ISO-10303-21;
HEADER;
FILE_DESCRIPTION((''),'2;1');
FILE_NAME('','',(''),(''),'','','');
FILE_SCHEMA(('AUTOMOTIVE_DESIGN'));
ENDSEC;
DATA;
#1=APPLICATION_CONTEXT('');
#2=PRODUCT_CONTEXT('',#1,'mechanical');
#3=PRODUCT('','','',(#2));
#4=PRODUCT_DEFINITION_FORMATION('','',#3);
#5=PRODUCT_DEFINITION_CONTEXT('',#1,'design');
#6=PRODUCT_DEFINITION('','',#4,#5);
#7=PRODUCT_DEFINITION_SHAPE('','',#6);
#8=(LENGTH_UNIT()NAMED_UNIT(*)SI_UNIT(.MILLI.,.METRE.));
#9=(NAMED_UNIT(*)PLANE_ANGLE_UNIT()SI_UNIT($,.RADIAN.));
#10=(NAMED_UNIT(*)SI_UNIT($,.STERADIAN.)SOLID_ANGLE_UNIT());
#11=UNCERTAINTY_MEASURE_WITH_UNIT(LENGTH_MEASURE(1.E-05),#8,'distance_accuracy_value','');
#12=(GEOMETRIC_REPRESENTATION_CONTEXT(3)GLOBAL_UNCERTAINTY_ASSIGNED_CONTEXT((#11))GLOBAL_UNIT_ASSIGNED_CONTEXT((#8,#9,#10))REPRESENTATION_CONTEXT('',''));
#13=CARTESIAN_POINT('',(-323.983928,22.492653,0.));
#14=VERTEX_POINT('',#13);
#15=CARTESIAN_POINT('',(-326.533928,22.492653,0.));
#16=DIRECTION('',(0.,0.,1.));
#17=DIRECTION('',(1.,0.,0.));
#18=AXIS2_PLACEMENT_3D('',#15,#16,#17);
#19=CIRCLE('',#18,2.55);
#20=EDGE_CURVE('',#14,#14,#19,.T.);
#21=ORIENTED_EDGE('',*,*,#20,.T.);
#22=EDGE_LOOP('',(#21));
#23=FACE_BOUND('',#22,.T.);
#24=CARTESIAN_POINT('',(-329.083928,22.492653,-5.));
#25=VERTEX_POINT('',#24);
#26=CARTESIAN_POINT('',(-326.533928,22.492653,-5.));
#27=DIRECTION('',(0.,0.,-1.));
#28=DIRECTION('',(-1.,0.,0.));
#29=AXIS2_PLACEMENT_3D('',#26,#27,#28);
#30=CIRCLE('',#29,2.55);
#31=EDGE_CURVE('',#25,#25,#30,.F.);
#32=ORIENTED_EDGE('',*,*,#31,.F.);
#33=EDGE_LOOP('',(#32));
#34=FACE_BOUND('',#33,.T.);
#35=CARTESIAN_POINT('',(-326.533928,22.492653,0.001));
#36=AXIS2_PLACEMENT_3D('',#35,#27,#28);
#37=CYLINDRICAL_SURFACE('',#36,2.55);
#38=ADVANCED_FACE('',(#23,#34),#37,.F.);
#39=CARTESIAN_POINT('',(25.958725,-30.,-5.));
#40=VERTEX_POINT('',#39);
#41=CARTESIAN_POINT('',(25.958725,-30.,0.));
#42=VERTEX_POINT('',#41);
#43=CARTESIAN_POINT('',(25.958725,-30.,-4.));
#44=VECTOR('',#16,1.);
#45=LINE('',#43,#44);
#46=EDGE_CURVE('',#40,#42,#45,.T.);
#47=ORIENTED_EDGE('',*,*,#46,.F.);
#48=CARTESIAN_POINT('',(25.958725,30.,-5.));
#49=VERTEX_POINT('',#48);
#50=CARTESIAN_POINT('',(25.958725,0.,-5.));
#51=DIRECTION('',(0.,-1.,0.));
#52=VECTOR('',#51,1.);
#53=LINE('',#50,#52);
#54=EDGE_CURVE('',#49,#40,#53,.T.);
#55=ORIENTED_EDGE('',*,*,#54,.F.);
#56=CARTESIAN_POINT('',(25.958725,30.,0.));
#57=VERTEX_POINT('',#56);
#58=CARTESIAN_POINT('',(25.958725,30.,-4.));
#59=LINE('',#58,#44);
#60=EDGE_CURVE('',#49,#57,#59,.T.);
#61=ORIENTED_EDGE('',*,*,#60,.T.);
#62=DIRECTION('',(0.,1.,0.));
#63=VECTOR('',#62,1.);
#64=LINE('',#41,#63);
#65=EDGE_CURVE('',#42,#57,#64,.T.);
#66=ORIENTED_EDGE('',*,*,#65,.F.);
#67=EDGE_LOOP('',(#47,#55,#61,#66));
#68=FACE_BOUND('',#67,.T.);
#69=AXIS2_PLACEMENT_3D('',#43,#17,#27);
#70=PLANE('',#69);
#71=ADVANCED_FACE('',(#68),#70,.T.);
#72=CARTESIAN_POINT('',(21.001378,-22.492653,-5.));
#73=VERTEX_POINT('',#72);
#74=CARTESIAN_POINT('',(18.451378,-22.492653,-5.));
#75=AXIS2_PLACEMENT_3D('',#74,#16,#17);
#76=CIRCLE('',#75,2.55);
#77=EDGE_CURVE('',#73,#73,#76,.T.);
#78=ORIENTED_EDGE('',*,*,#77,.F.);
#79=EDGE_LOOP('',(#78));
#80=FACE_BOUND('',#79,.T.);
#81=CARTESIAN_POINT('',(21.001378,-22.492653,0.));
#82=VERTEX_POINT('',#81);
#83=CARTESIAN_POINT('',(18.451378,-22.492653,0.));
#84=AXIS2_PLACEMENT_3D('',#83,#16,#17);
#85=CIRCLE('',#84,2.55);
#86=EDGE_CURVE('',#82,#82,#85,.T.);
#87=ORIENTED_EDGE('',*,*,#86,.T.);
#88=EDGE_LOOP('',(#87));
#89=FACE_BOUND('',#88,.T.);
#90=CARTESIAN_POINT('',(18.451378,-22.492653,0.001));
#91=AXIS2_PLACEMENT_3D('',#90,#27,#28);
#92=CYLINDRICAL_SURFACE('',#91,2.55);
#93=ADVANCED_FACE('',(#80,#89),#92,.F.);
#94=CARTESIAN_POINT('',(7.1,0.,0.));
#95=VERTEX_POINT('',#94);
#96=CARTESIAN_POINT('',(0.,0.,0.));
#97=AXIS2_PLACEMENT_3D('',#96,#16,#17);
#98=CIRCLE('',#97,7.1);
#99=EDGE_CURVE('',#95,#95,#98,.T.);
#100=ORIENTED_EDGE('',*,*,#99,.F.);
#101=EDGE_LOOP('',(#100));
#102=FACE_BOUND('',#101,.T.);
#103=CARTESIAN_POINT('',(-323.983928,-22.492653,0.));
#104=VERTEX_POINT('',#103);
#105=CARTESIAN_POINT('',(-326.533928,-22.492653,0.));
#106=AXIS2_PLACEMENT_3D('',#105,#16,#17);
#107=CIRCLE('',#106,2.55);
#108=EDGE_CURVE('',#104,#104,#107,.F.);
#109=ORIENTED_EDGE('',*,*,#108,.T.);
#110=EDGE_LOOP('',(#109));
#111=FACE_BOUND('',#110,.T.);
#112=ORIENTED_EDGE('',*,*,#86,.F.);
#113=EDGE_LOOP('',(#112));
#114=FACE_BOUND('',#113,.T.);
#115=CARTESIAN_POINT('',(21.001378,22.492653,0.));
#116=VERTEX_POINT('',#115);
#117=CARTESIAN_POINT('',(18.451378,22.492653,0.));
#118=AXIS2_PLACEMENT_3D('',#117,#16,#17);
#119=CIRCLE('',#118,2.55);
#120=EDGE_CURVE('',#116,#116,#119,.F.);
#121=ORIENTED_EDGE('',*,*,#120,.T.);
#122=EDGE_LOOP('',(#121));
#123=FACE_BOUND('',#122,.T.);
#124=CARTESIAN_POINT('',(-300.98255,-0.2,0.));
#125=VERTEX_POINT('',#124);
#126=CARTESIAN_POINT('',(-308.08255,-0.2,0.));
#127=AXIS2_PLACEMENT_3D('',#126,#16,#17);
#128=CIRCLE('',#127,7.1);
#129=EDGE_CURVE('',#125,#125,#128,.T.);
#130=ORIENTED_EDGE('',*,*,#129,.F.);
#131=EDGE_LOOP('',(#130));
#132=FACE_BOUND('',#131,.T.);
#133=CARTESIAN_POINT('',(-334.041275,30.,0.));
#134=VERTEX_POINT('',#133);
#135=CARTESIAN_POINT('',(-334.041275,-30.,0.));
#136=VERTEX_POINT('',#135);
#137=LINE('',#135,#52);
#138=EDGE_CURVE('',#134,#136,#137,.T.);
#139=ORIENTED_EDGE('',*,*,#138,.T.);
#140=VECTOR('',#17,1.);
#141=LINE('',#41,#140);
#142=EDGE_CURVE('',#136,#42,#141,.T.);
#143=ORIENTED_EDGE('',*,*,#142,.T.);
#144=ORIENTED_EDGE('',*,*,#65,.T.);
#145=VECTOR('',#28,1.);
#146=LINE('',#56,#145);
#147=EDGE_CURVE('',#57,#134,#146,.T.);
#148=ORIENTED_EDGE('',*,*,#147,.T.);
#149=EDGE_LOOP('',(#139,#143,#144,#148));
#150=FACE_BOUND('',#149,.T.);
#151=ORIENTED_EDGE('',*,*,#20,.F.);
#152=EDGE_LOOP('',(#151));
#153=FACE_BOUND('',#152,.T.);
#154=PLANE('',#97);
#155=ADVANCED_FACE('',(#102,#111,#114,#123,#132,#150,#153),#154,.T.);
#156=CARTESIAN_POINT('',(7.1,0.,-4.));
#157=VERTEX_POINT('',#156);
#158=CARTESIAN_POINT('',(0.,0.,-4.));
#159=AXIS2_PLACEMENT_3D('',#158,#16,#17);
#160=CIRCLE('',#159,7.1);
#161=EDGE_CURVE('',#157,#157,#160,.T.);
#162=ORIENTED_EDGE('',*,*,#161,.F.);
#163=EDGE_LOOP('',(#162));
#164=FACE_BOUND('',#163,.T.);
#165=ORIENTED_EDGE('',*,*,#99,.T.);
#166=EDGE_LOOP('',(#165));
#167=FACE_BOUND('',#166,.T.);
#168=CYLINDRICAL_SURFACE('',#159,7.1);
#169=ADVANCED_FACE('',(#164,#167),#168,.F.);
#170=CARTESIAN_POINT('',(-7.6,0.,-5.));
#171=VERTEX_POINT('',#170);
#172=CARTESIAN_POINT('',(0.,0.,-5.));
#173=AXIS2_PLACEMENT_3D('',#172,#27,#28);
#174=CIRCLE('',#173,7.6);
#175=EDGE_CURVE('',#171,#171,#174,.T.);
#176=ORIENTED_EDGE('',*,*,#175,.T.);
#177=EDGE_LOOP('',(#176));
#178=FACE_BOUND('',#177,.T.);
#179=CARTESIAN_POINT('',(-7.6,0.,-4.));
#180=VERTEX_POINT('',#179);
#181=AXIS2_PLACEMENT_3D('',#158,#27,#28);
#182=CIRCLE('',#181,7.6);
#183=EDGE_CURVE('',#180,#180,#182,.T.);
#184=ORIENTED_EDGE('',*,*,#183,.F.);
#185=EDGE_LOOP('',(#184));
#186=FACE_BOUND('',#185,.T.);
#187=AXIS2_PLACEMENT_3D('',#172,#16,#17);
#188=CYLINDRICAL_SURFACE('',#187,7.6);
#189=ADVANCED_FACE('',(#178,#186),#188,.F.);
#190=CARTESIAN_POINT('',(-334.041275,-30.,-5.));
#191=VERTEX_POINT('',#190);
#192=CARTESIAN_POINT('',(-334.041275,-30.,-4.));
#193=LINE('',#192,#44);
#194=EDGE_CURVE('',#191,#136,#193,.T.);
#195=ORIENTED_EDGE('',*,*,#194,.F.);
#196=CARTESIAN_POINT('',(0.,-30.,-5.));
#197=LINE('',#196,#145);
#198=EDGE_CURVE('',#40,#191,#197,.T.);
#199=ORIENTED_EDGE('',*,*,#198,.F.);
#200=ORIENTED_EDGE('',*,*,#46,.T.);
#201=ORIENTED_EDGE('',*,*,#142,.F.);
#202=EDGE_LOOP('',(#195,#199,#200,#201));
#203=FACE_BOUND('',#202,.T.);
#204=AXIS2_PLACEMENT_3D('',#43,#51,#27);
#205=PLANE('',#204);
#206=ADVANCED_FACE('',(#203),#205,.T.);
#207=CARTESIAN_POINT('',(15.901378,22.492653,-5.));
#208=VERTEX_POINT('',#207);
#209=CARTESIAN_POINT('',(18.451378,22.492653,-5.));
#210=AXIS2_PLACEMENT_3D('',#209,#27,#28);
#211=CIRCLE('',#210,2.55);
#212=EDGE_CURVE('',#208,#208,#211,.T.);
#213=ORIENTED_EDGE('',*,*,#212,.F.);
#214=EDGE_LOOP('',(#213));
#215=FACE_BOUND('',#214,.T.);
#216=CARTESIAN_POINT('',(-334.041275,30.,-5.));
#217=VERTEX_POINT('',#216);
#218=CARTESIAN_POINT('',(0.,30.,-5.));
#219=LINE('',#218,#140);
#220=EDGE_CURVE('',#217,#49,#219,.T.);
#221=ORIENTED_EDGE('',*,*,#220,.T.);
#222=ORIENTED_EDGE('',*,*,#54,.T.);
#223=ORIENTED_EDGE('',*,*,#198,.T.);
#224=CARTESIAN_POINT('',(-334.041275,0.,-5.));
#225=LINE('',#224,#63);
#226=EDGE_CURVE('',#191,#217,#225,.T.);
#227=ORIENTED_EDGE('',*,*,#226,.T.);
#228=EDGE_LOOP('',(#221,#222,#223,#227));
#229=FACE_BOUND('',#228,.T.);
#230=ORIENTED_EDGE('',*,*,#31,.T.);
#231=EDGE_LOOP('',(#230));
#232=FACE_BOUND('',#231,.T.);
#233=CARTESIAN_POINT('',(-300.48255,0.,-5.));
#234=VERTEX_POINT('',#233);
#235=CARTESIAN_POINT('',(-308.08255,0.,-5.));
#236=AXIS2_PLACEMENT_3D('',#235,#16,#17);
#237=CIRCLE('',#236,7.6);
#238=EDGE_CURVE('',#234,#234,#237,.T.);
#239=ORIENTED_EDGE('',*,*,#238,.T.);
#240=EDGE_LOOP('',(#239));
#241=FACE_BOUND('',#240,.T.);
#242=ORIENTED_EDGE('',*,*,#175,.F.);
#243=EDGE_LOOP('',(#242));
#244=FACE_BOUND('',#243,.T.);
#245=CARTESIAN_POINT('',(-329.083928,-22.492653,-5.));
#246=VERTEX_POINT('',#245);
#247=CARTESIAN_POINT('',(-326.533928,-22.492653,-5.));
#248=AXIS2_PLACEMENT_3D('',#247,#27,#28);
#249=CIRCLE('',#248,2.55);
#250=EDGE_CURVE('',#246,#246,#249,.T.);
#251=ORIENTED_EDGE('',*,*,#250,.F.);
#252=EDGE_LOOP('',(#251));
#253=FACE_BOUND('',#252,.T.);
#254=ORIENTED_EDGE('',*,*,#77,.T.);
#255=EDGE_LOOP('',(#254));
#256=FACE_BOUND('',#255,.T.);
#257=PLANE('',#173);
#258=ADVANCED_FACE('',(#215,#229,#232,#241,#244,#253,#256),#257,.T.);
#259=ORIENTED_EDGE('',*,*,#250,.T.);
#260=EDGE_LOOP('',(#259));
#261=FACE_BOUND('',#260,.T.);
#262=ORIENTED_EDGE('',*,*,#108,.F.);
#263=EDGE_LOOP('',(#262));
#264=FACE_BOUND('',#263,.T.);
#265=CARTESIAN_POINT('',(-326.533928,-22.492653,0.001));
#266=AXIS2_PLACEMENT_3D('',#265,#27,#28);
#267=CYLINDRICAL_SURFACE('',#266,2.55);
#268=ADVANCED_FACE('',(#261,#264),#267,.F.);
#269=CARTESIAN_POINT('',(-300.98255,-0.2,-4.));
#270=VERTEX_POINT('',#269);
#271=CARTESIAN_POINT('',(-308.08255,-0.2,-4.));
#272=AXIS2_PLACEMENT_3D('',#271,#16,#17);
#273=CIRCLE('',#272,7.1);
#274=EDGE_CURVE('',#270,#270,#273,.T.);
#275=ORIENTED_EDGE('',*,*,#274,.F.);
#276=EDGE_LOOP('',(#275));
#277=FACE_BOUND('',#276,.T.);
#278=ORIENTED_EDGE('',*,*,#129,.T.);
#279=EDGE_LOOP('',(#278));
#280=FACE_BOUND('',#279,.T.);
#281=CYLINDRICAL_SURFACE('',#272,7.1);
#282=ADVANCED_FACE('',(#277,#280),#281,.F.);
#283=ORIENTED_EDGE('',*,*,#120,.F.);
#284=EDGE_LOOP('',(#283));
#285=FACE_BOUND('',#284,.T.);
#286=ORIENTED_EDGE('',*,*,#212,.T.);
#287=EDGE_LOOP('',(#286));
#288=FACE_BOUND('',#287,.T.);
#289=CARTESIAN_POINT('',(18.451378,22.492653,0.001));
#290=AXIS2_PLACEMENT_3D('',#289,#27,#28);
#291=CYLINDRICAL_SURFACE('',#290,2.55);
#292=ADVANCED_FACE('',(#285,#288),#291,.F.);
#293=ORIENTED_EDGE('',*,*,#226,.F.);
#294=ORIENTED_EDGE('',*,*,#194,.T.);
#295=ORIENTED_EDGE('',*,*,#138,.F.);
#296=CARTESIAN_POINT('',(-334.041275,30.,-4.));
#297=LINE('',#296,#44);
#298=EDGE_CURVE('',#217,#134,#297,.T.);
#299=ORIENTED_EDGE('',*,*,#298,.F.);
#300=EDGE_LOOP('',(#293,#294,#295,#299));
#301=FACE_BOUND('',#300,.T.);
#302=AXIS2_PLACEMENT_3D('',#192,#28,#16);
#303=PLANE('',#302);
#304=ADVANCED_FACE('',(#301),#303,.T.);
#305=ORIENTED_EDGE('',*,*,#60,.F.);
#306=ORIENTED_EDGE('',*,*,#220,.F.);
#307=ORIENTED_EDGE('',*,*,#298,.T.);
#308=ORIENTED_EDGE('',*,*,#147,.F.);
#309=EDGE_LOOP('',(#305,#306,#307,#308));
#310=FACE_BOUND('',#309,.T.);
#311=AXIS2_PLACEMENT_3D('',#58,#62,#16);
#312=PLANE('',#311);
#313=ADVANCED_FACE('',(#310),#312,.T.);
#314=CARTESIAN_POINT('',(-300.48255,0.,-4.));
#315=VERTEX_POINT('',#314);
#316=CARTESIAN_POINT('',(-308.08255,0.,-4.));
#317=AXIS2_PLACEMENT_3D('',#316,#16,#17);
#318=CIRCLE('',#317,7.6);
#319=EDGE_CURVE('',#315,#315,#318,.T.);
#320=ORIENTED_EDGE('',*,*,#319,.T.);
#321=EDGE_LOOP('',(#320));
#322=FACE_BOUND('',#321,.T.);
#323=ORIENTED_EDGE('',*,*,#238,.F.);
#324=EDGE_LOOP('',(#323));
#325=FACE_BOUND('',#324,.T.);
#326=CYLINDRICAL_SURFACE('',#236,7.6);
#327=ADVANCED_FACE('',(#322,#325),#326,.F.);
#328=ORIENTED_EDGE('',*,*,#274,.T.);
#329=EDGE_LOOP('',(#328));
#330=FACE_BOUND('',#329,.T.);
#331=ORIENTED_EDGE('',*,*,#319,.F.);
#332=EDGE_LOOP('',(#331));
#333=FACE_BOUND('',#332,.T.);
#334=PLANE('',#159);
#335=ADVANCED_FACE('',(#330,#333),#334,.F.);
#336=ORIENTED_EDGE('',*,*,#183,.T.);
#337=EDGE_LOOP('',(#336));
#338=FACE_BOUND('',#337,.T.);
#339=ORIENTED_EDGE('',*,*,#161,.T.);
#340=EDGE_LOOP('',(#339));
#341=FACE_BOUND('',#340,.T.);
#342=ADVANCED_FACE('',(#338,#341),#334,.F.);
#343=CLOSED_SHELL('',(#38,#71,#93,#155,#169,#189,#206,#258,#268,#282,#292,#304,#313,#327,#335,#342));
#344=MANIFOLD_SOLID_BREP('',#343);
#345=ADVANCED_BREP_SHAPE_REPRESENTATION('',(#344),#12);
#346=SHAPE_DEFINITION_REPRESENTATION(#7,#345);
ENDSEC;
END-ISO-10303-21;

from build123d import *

# Parameters (mm, degrees)
SKETCH1_W           = 360
SKETCH1_H           = 60
SKETCH1_R           = 7.1
BOSS_EXTRUDE1_DEPTH = 4
SKETCH2_W           = 360
SKETCH2_H           = 60
SKETCH2_R           = 7.6
BOSS_EXTRUDE2_DEPTH = 1
CUT_EXTRUDE1_REACH  = 337.423
SKETCH3_R           = 2.55


with BuildPart() as part:
    # Sketch1 → Boss-Extrude1 (new body)
    with BuildSketch(Plane.XY):
        with Locations((-154.041275094, 0)):
            Rectangle(SKETCH1_W, SKETCH1_H)
        Circle(SKETCH1_R, mode=Mode.SUBTRACT)
        with Locations((-308.082550187, -0.2)):
            Circle(SKETCH1_R, mode=Mode.SUBTRACT)
    extrude(amount=-BOSS_EXTRUDE1_DEPTH)

    # Sketch2 → Boss-Extrude2 (add)
    with BuildSketch(Plane(origin=(0, 0, -4), x_dir=(-1, 0, 0), z_dir=(0, 0, -1))):
        with Locations((154.041275094, 0)):
            Rectangle(SKETCH2_W, SKETCH2_H)
        Circle(SKETCH2_R, mode=Mode.SUBTRACT)
        with Locations(Location((308.082550187, 0, 0), (0, 0, 180))):
            Circle(SKETCH2_R, mode=Mode.SUBTRACT)
    extrude(amount=BOSS_EXTRUDE2_DEPTH)

    # Sketch3 → Cut-Extrude1 (cut, up to next)
    with BuildSketch(Plane(origin=(0, 0, -5), x_dir=(-1, 0, 0), z_dir=(0, 0, -1)), mode=Mode.PRIVATE) as cut_extrude1_sk1:
        with Locations((326.53392807, -22.492652976)):
            Circle(SKETCH3_R)
    cut_extrude1_tool1 = extrude(cut_extrude1_sk1.sketch, amount=-CUT_EXTRUDE1_REACH, mode=Mode.PRIVATE) & part.part
    # Sketch3 → Cut-Extrude1 (cut, up to next)
    with BuildSketch(Plane(origin=(0, 0, -5), x_dir=(-1, 0, 0), z_dir=(0, 0, -1)), mode=Mode.PRIVATE) as cut_extrude1_sk2:
        with Locations((326.53392807, 22.492652976)):
            Circle(SKETCH3_R)
    cut_extrude1_tool2 = extrude(cut_extrude1_sk2.sketch, amount=-CUT_EXTRUDE1_REACH, mode=Mode.PRIVATE) & part.part
    # Sketch3 → Cut-Extrude1 (cut, up to next)
    with BuildSketch(Plane(origin=(0, 0, -5), x_dir=(-1, 0, 0), z_dir=(0, 0, -1)), mode=Mode.PRIVATE) as cut_extrude1_sk3:
        with Locations(Location((-18.451377883, -22.492652976, 0), (0, 0, 180))):
            Circle(SKETCH3_R)
    cut_extrude1_tool3 = extrude(cut_extrude1_sk3.sketch, amount=-CUT_EXTRUDE1_REACH, mode=Mode.PRIVATE) & part.part
    # Sketch3 → Cut-Extrude1 (cut, up to next)
    with BuildSketch(Plane(origin=(0, 0, -5), x_dir=(-1, 0, 0), z_dir=(0, 0, -1)), mode=Mode.PRIVATE) as cut_extrude1_sk4:
        with Locations((-18.451377883, 22.492652976)):
            Circle(SKETCH3_R)
    cut_extrude1_tool4 = extrude(cut_extrude1_sk4.sketch, amount=-CUT_EXTRUDE1_REACH, mode=Mode.PRIVATE) & part.part
    add(cut_extrude1_tool1.solids().sort_by_distance((-326.533928, -22.492653, -5))[0], mode=Mode.SUBTRACT)
    add(cut_extrude1_tool2.solids().sort_by_distance((-326.533928, 22.492653, -5))[0], mode=Mode.SUBTRACT)
    add(cut_extrude1_tool3.solids().sort_by_distance((18.451378, -22.492653, -5))[0], mode=Mode.SUBTRACT)
    add(cut_extrude1_tool4.solids().sort_by_distance((18.451378, 22.492653, -5))[0], mode=Mode.SUBTRACT)


solid = part.part
